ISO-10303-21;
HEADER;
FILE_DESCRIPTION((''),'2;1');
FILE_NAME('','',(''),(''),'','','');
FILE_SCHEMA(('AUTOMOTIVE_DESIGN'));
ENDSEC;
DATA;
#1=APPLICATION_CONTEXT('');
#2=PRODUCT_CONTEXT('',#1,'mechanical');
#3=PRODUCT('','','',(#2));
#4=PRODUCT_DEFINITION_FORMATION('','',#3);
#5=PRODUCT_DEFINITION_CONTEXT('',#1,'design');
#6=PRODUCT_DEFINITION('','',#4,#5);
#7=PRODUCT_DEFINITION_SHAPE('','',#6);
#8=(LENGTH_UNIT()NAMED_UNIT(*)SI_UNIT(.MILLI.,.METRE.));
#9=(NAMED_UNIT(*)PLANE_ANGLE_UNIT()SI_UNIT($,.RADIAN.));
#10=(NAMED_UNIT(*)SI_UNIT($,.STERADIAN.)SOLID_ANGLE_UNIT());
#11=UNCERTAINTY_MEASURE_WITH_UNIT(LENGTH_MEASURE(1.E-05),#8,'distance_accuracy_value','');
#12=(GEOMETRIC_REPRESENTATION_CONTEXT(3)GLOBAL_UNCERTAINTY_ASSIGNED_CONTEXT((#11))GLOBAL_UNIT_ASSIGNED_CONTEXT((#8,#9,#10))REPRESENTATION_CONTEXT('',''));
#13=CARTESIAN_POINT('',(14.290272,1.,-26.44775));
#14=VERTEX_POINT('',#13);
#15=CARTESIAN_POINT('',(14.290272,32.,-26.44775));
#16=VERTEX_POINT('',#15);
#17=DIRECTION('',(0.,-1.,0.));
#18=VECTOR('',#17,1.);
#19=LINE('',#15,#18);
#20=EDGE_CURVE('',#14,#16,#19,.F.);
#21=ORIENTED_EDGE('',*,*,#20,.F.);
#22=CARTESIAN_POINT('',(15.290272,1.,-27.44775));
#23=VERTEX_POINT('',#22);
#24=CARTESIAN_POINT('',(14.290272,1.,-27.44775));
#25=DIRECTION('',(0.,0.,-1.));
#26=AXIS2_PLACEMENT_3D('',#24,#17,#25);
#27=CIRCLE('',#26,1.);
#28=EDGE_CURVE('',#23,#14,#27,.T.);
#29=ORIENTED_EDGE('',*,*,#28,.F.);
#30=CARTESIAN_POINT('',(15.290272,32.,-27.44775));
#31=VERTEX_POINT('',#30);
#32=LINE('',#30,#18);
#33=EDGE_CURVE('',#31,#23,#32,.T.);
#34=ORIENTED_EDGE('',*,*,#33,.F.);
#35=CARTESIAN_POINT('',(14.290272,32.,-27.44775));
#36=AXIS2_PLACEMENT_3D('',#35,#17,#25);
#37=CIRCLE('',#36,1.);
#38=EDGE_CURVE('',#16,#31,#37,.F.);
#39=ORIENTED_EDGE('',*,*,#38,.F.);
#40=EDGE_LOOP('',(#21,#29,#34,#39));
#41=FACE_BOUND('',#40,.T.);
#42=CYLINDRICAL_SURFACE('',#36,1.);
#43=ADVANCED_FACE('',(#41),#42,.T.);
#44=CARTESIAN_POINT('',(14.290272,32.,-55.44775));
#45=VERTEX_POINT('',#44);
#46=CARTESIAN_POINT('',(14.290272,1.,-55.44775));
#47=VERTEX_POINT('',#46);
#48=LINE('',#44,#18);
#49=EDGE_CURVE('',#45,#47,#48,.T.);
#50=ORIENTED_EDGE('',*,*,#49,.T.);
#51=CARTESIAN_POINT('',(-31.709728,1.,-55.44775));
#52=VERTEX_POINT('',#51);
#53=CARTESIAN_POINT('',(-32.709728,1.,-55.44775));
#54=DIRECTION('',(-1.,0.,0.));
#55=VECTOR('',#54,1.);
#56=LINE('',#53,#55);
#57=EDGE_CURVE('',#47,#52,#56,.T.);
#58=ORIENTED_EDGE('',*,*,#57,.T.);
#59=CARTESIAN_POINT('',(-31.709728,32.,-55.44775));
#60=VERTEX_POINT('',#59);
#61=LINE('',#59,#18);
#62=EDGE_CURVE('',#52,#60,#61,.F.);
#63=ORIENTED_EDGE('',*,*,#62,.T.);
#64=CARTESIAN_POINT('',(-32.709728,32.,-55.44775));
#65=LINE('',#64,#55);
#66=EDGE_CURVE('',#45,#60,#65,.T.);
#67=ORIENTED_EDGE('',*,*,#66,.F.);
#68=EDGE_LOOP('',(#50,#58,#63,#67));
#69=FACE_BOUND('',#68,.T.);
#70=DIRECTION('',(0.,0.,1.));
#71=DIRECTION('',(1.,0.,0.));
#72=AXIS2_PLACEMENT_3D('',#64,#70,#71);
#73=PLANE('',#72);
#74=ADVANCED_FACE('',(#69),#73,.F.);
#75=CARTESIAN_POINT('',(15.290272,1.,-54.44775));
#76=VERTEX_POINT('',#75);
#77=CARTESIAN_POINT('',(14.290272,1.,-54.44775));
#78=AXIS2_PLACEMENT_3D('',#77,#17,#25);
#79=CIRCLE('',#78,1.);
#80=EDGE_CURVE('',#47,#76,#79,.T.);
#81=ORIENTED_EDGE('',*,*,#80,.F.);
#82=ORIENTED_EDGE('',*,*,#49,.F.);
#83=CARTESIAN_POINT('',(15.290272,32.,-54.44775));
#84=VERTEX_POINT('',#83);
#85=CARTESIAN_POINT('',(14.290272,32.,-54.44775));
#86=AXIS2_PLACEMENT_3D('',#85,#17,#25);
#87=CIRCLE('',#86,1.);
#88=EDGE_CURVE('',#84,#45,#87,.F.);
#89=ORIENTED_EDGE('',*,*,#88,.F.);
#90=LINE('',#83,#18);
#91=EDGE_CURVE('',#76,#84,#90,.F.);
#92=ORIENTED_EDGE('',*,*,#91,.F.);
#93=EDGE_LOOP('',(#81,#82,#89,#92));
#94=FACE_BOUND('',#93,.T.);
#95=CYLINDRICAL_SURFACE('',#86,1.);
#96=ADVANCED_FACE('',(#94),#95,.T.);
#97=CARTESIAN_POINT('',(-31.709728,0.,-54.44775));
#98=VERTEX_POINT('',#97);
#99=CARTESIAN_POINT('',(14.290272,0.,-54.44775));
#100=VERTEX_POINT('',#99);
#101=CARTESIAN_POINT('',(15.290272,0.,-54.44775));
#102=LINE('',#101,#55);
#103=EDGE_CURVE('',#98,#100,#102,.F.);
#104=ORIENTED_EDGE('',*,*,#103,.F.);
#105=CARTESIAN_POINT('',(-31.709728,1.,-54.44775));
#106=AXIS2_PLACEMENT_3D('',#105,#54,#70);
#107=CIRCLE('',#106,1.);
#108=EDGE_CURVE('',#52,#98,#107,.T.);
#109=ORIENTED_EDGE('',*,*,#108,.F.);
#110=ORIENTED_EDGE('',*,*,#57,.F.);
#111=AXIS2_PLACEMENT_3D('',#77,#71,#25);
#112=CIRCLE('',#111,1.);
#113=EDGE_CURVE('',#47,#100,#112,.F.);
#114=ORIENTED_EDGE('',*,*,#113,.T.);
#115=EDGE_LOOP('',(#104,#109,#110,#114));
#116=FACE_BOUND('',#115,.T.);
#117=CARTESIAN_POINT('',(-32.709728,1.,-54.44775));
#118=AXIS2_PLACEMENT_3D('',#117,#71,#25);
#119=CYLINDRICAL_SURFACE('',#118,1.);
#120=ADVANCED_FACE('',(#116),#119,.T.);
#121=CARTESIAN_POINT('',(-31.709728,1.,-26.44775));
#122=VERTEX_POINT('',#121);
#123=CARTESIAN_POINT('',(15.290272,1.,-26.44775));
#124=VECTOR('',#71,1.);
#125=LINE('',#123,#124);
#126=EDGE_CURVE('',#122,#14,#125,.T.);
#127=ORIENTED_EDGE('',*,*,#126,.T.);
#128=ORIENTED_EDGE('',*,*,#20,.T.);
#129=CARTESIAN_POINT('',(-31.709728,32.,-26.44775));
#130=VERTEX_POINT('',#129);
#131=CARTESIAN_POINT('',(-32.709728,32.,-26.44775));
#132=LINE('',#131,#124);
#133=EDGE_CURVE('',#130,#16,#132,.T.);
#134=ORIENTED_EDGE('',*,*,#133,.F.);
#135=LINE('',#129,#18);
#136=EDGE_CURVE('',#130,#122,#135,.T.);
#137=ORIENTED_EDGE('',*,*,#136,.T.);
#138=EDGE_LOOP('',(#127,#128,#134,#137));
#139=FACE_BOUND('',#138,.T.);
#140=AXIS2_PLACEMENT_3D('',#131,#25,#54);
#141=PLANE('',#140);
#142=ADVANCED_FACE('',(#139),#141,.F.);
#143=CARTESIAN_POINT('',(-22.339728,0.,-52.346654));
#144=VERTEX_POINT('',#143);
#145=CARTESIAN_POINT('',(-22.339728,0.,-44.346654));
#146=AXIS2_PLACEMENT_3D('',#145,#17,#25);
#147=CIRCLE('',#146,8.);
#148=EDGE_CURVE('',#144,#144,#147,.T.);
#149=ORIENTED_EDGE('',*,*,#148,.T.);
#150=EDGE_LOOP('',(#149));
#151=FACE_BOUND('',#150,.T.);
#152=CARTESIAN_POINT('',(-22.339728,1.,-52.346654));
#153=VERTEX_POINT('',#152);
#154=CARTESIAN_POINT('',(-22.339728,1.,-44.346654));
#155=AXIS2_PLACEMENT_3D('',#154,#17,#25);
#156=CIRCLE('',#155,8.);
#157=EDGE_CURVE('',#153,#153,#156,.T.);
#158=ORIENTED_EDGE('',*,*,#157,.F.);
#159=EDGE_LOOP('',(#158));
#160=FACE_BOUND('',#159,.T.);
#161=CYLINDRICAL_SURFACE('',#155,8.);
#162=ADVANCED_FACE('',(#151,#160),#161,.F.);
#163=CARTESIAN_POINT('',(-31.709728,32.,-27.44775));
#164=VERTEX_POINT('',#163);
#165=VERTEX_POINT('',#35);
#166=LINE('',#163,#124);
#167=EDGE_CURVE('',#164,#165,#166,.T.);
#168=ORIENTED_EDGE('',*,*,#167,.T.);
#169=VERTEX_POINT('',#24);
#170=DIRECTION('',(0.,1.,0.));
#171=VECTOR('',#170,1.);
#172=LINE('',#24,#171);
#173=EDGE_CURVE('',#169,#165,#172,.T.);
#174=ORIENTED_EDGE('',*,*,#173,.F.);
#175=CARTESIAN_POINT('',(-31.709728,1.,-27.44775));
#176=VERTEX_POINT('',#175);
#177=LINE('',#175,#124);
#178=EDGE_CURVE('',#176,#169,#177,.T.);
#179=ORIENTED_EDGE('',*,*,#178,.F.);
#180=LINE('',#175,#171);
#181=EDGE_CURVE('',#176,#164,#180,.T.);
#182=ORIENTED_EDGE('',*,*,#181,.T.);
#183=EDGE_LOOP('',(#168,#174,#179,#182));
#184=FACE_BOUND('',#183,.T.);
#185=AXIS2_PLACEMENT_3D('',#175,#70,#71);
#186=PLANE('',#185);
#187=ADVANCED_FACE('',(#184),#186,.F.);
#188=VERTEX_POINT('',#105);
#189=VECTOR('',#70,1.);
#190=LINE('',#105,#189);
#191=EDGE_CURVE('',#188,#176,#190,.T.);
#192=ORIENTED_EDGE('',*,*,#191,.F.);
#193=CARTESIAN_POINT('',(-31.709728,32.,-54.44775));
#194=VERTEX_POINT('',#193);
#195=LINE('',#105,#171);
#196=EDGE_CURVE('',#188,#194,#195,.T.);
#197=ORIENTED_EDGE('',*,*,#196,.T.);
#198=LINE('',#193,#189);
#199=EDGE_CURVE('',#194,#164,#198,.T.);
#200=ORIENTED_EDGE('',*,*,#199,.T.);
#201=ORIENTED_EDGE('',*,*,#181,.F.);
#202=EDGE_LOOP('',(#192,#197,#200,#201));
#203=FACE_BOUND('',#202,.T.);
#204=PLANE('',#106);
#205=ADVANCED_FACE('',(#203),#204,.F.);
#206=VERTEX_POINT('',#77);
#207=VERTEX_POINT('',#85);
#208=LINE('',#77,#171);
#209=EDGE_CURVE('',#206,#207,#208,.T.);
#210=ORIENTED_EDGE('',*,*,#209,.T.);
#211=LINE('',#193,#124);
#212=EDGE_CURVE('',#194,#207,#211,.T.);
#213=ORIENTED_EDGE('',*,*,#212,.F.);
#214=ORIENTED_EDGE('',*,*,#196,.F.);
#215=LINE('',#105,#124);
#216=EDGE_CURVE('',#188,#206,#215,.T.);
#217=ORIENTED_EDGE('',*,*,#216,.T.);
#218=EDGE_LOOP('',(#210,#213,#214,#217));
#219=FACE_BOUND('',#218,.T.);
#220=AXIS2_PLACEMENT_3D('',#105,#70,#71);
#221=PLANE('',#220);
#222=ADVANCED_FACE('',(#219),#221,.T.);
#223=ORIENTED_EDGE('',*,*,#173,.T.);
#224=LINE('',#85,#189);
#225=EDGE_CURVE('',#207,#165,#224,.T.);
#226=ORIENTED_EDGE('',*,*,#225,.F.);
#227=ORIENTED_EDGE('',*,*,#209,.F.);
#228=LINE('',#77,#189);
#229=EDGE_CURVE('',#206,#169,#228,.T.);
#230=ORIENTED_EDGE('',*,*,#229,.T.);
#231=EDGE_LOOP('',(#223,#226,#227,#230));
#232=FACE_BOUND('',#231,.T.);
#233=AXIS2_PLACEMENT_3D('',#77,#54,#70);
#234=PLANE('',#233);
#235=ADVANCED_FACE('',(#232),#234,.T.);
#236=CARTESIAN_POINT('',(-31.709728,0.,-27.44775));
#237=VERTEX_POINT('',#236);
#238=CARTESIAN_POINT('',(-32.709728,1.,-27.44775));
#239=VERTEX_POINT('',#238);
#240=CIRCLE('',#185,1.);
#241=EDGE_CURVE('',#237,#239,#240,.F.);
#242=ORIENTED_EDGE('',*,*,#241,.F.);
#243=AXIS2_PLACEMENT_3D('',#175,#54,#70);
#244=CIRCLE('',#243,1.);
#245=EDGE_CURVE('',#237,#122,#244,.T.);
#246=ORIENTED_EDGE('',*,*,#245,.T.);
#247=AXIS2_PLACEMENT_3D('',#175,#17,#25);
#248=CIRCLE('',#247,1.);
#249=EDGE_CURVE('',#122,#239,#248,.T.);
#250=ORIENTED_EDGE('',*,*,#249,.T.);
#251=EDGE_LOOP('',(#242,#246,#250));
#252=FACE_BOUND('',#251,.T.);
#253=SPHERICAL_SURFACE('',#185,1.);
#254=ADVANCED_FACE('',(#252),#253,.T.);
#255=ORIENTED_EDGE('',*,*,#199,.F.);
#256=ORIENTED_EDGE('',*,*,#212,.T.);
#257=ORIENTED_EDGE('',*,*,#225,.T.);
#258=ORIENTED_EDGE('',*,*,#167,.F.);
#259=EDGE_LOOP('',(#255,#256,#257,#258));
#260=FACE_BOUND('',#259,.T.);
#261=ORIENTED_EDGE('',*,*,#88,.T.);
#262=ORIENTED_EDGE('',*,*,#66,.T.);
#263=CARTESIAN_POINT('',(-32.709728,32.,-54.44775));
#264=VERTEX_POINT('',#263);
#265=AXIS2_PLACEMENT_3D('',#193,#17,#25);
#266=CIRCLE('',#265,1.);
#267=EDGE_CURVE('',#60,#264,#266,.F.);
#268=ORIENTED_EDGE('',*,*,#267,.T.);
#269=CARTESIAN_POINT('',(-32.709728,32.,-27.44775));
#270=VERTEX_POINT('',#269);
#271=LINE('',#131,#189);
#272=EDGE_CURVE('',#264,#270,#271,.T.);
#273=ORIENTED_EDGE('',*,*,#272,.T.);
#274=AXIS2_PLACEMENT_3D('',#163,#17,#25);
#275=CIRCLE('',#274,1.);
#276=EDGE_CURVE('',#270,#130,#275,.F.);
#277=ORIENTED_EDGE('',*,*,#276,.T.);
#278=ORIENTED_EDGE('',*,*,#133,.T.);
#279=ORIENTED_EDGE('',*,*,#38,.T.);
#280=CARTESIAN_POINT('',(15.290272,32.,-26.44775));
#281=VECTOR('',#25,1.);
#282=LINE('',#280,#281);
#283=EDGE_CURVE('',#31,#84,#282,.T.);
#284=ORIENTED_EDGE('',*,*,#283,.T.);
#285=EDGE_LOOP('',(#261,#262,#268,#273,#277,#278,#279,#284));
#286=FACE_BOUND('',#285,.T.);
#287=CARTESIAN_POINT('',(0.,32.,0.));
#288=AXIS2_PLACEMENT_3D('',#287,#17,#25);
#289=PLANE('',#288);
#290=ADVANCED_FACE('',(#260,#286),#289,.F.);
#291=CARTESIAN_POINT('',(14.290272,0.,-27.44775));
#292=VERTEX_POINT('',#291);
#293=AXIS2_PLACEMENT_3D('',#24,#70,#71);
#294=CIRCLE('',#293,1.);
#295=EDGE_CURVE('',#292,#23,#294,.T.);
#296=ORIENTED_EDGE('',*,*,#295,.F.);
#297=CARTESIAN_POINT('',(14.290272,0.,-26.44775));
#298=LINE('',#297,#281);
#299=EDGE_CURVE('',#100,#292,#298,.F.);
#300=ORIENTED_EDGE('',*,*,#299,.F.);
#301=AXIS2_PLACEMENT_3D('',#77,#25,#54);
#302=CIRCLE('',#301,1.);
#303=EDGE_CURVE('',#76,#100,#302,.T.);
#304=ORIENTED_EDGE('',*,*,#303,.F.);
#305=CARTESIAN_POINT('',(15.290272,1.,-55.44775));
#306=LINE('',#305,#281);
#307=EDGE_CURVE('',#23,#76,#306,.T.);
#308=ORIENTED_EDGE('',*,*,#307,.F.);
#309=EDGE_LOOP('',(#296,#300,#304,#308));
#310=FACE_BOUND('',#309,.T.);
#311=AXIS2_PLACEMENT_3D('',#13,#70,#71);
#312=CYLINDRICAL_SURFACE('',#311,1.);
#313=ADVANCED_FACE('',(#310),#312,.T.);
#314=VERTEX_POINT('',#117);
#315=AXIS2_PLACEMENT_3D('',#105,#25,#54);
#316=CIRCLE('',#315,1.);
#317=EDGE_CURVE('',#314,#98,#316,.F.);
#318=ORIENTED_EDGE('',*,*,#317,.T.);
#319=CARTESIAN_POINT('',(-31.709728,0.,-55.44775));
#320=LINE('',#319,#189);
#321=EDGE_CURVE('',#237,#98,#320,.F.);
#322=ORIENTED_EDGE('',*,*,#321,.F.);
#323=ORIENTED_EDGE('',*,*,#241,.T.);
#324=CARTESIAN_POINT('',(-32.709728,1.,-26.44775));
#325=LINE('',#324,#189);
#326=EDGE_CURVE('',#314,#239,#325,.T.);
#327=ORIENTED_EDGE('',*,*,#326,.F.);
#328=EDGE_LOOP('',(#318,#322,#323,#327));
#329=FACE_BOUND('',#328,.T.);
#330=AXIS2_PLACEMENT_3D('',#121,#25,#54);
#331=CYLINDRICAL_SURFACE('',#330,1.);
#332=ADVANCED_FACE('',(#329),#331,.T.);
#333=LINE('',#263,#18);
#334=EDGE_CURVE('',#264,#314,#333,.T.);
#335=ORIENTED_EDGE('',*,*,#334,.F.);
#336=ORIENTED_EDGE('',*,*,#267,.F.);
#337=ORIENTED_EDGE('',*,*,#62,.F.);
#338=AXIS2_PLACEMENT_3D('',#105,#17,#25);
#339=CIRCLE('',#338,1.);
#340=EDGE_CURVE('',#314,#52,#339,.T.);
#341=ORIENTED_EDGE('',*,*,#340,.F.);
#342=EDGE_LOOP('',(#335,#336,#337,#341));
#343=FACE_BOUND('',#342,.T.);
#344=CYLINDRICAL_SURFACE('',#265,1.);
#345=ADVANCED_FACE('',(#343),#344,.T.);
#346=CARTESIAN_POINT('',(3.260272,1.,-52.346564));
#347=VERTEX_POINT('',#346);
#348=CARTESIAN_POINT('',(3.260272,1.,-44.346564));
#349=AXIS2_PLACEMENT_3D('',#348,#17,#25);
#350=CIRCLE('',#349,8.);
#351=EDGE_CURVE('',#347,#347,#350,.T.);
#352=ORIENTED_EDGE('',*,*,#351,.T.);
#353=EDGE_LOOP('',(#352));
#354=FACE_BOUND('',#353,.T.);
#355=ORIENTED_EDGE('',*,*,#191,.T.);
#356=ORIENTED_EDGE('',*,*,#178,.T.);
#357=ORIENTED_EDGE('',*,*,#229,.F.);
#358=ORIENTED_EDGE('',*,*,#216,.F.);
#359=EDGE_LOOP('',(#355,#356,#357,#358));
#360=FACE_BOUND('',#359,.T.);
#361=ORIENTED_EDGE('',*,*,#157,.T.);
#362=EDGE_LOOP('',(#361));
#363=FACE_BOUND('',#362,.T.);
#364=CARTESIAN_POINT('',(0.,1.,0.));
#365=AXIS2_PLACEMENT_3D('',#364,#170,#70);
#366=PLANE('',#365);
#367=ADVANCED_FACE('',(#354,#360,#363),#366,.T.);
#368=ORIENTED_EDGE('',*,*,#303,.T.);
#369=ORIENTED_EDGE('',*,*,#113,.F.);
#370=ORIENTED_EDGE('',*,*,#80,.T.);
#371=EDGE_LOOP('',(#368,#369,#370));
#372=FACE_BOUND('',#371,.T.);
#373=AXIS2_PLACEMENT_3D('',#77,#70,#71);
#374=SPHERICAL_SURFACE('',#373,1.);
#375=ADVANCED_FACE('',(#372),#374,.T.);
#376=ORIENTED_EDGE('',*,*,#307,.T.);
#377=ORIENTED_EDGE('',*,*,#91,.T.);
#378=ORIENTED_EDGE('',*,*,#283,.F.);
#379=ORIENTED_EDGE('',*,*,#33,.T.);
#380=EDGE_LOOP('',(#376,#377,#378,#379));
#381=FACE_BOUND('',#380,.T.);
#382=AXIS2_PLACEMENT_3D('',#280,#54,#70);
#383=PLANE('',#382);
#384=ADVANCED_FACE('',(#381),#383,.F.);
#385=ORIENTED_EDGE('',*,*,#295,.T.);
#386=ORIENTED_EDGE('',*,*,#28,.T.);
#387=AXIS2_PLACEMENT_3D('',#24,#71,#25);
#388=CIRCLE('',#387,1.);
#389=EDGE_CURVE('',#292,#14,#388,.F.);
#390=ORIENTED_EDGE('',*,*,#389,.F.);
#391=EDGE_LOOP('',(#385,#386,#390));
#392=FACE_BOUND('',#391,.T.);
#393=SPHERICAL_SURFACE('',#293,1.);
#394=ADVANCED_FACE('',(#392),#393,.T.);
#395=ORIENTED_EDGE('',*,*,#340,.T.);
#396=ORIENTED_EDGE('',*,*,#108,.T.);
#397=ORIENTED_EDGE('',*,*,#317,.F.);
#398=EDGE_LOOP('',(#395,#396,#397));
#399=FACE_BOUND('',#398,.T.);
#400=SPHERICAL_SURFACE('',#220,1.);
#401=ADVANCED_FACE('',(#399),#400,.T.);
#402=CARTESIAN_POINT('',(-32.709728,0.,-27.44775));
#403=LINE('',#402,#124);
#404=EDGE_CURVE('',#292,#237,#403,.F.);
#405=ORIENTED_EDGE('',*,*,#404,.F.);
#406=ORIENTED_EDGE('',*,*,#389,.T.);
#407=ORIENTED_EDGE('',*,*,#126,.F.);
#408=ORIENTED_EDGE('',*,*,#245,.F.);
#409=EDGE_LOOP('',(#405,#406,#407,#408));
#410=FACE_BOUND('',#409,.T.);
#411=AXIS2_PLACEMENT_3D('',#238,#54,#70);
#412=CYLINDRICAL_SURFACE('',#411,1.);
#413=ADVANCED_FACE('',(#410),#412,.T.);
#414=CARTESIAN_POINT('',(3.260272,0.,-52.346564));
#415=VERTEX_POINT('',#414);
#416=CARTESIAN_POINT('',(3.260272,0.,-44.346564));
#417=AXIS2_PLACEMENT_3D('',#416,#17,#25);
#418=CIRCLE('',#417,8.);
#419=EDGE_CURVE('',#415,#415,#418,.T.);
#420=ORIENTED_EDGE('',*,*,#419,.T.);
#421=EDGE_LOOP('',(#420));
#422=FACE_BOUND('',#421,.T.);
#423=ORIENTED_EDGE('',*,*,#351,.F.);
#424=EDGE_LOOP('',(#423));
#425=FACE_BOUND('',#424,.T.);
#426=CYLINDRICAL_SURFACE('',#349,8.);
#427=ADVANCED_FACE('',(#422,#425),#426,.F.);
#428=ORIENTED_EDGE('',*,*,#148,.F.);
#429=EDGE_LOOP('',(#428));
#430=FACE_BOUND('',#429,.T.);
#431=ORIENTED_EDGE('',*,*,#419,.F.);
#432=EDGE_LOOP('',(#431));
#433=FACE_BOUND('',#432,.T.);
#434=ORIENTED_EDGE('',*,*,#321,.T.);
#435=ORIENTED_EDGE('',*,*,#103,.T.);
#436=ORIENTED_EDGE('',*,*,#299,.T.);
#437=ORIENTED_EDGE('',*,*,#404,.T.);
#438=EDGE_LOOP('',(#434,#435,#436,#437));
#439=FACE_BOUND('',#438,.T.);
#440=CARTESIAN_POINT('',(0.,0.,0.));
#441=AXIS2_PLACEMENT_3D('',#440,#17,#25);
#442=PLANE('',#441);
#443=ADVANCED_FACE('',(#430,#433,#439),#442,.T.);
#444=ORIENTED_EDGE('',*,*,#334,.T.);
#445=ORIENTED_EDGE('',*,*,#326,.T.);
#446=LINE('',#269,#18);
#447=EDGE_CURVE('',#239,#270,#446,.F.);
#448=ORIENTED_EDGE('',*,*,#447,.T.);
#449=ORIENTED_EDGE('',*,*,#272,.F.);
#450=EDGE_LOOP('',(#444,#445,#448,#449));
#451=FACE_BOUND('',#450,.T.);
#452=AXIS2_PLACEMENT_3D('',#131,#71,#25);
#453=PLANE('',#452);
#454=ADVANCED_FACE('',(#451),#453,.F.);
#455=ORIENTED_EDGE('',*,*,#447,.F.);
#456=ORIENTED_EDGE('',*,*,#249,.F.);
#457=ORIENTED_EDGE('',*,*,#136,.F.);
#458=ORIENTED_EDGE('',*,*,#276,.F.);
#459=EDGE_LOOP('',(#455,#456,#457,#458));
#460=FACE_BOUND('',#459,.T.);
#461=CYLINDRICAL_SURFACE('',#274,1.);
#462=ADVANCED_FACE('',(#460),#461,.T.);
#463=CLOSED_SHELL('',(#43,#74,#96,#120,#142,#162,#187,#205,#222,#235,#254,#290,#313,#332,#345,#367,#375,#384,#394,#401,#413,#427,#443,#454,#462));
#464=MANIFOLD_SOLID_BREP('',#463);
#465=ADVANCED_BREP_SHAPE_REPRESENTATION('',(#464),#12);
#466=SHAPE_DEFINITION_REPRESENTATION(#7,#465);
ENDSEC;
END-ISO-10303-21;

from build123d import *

# Parameters (mm, degrees)
SKETCH_1_W          = 48
SKETCH_1_H          = 29
EXTRUDE_1_DEPTH     = 32
SKETCH_4_W          = 46
SKETCH_4_H          = 27
CUT_EXTRUDE_1_DEPTH = 31
FILLET_1_R          = 1
SKETCH_5_R          = 8
CUT_EXTRUDE_2_DEPTH = 1


with BuildPart() as part:
    # ｽｹｯﾁ1 → ﾎﾞｽ - 押し出し1 (new body)
    with BuildSketch(Plane(origin=(0, 0, 0), x_dir=(1, 0, 0), z_dir=(0, 1, 0))):
        with Locations((-8.709727642, 40.94775)):
            Rectangle(SKETCH_1_W, SKETCH_1_H)
    extrude(amount=EXTRUDE_1_DEPTH)

    # ｽｹｯﾁ4 → ｶｯﾄ - 押し出し1 (cut)
    with BuildSketch(Plane(origin=(0, 32, 0), x_dir=(1, 0, 0), z_dir=(0, 1, 0))):
        with Locations((-8.709727642, 40.94775)):
            Rectangle(SKETCH_4_W, SKETCH_4_H)
    extrude(amount=-CUT_EXTRUDE_1_DEPTH, mode=Mode.SUBTRACT)

    # ﾌｨﾚｯﾄ1
    fillet_1_edges = [part.edges().sort_by_distance(p)[0] for p in [
        (-8.709727642, 0, -55.44775),
        (15.290272358, 0, -40.94775),
        (-8.709727642, 0, -26.44775),
        (-32.709727642, 0, -40.94775),
        (-32.709727642, 16, -55.44775),
        (15.290272358, 16, -55.44775),
        (15.290272358, 16, -26.44775),
        (-32.709727642, 16, -26.44775),
    ]]
    fillet(fillet_1_edges, radius=FILLET_1_R)

    # ｽｹｯﾁ5 → ｶｯﾄ - 押し出し2 (cut)
    with BuildSketch(Plane(origin=(0, 0, 0), x_dir=(-1, 0, 0), z_dir=(0, -1, 0))):
        with Locations(Location((-3.260272358, 44.346563504, 0), (0, 0, 90))):
            Circle(SKETCH_5_R)
        with Locations(Location((22.339727642, 44.346653581, 0), (0, 0, 90))):
            Circle(SKETCH_5_R)
    extrude(amount=-CUT_EXTRUDE_2_DEPTH, mode=Mode.SUBTRACT)


solid = part.part
